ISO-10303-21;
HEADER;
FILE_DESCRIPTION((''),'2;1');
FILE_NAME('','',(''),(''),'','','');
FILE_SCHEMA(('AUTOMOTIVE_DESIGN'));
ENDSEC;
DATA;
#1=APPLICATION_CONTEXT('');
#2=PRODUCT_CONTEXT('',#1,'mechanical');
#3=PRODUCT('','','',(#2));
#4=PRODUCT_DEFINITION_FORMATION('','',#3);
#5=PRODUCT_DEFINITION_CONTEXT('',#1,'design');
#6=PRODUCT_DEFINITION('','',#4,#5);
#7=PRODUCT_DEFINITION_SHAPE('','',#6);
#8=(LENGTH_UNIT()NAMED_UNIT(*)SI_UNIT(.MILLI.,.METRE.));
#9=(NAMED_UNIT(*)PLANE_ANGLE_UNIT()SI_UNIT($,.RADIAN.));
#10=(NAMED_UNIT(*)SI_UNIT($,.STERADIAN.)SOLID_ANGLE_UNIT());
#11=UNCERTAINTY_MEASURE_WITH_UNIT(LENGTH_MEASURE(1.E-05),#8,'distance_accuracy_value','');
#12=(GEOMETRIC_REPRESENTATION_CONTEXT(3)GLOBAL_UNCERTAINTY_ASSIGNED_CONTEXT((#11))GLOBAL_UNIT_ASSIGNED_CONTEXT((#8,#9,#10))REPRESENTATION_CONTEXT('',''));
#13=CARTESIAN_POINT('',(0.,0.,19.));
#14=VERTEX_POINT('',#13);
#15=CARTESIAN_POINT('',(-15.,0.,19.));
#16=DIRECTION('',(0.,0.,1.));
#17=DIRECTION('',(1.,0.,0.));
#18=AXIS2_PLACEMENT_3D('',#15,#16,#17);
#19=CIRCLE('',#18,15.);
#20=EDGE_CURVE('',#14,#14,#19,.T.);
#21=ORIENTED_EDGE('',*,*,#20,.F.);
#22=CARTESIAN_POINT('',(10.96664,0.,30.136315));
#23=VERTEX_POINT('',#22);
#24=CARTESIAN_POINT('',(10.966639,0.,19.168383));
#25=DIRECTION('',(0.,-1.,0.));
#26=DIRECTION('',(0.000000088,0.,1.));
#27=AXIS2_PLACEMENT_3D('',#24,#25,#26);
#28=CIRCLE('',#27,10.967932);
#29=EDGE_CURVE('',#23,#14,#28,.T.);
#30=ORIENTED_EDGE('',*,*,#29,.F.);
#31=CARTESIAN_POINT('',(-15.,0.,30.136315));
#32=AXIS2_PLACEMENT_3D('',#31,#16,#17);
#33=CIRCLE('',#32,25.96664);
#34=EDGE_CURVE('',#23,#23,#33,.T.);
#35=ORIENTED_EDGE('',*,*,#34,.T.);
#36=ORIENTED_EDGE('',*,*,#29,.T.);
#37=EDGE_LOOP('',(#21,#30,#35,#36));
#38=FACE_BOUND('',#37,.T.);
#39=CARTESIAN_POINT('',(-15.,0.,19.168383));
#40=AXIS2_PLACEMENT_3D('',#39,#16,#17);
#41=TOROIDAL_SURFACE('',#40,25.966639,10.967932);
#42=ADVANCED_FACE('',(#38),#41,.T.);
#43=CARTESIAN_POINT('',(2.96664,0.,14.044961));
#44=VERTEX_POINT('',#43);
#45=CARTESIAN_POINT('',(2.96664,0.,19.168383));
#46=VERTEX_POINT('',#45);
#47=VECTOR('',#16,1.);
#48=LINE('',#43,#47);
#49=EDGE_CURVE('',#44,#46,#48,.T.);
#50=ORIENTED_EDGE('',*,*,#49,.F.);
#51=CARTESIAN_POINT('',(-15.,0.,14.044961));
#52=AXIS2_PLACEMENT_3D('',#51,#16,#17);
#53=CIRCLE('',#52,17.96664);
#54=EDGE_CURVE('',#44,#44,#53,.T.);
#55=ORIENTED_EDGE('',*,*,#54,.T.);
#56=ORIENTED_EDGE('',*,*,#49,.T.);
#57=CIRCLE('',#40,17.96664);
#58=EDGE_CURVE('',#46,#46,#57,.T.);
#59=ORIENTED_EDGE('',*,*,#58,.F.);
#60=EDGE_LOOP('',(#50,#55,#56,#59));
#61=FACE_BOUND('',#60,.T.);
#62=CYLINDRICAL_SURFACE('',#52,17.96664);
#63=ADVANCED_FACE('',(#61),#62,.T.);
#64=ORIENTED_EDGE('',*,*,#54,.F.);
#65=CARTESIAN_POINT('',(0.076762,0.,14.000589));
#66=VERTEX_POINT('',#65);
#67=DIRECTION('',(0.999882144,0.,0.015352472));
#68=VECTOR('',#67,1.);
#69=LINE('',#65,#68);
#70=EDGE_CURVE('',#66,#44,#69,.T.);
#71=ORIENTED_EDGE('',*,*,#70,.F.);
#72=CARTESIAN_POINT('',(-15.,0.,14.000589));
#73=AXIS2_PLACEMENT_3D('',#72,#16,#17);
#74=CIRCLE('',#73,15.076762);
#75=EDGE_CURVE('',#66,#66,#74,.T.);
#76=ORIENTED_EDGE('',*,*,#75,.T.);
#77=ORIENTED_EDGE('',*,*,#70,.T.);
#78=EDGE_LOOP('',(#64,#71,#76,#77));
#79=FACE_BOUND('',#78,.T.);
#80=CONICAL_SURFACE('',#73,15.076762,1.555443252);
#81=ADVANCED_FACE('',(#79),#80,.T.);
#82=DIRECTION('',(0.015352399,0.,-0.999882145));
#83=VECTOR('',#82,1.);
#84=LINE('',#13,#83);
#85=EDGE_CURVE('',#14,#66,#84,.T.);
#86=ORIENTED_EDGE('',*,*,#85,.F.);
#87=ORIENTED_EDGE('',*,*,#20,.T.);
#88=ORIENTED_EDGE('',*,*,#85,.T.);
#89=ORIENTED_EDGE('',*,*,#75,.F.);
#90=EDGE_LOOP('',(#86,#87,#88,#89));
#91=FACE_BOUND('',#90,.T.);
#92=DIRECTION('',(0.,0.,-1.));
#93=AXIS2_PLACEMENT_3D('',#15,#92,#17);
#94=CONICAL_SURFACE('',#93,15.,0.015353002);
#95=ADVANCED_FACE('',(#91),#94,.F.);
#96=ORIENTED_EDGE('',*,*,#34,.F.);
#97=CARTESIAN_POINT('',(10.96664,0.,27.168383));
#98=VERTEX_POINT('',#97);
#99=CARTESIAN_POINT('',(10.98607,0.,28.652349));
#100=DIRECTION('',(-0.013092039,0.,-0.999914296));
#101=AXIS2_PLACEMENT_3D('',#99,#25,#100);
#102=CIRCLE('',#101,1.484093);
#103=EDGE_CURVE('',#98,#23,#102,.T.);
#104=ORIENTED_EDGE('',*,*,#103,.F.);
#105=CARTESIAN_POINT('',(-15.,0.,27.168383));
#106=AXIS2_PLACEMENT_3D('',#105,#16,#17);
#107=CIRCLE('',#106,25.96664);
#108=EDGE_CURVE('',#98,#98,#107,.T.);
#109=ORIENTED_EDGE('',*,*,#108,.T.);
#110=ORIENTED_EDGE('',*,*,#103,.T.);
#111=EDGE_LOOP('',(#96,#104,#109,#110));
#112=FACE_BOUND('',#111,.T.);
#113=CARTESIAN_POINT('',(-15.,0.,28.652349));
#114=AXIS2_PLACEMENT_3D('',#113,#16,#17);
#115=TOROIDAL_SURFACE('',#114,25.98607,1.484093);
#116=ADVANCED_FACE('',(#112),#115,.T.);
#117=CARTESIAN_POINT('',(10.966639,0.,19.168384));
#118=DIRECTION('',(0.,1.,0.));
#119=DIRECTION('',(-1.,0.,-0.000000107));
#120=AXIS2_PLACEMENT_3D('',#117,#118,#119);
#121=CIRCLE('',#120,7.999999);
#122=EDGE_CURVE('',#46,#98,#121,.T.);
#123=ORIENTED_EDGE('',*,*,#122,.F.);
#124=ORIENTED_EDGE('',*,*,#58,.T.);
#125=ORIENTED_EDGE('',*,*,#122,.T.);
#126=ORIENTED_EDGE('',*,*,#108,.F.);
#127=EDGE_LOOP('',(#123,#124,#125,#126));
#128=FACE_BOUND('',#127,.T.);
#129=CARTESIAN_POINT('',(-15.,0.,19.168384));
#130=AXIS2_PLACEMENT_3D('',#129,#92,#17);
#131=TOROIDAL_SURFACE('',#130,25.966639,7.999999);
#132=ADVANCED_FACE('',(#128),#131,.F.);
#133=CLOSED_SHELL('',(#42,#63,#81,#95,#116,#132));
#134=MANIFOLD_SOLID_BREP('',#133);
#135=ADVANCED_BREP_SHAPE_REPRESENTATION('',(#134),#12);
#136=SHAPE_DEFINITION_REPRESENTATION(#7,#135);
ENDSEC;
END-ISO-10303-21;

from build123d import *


with BuildPart() as f1:
    # F0 (on Front) → F1 (revolve)
    with BuildSketch(Plane.XZ):
        with BuildLine():
            ThreePointArc((10.96664, 27.168383), (12.470163, 28.652349), (10.96664, 30.136315))
            ThreePointArc((10.96664, 30.136315), (3.151835, 26.86412), (0, 19))
            Line((0, 19), (0.076762, 14.000589))
            Line((0.076762, 14.000589), (2.96664, 14.044961))
            Line((2.96664, 14.044961), (2.96664, 14.168383))
            Line((2.96664, 14.168383), (2.96664, 15.356337))
            Line((2.96664, 15.356337), (2.96664, 19.168383))
            ThreePointArc((2.96664, 19.168383), (5.309785, 24.825237), (10.96664, 27.168383))
        make_face()
    revolve(axis=Axis((-15, 0, 28.455103), (0, 0, 1)))


solid = f1.part
